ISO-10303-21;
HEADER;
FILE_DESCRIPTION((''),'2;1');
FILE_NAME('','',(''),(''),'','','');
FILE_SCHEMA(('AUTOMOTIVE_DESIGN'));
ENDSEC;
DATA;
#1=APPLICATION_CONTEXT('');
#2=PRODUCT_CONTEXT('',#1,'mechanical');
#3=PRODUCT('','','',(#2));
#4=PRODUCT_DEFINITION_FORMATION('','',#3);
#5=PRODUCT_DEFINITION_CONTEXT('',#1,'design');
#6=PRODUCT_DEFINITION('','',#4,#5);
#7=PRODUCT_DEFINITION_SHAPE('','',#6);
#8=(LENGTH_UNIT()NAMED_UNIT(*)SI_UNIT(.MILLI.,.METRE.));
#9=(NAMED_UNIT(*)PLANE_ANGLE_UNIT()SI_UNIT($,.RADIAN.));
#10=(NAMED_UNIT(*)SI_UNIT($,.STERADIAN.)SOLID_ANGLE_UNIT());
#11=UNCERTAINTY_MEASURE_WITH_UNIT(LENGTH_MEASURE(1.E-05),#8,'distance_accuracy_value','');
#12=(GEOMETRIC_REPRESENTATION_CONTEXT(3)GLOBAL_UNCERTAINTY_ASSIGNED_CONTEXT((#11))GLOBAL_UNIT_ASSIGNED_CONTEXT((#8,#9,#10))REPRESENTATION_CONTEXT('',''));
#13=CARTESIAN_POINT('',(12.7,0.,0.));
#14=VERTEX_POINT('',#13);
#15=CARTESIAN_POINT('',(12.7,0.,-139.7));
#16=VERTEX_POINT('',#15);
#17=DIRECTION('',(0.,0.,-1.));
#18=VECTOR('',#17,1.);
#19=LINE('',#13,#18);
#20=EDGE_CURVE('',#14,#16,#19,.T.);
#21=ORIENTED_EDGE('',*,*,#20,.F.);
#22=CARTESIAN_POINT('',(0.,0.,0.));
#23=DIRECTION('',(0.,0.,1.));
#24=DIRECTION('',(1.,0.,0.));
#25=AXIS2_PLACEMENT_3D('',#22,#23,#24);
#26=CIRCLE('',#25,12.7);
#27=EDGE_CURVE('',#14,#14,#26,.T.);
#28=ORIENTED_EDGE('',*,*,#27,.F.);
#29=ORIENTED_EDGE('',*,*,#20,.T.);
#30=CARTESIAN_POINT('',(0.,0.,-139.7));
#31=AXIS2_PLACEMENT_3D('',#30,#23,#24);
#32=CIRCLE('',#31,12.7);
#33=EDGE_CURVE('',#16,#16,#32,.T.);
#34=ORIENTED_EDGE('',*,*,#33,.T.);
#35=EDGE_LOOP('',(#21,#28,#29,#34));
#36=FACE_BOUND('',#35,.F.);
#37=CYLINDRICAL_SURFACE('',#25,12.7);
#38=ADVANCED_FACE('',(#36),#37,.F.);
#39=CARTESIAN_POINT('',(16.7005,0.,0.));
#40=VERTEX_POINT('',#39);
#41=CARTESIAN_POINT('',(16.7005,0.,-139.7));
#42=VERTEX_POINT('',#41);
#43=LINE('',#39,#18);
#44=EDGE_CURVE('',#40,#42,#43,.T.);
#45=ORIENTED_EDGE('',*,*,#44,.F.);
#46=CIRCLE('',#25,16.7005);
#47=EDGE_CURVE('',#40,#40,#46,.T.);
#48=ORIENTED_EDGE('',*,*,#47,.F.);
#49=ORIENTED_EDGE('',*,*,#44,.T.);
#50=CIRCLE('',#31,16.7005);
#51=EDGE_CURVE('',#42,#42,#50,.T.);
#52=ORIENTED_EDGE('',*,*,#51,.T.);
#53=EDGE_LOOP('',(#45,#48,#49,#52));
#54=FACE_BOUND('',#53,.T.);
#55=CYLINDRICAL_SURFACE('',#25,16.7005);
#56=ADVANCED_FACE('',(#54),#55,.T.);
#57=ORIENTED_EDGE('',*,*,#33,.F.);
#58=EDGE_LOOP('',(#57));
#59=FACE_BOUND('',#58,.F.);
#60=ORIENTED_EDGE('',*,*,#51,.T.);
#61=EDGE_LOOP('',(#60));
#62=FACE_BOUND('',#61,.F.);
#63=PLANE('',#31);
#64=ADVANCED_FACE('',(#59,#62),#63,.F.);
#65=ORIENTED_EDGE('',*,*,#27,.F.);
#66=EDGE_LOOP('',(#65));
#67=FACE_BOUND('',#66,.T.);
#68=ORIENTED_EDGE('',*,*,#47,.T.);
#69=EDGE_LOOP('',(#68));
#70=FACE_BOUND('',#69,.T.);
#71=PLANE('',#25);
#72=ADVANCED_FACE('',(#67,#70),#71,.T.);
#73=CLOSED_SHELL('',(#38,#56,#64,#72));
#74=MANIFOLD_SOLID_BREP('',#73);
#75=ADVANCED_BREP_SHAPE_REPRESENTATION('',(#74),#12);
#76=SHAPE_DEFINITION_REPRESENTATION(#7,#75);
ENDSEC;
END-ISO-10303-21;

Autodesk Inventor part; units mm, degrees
ref_plane "YZ Plane" through (0, 0, 0) normal (1, 0, 0) x (0, 1, 0)
ref_plane "XZ Plane" through (0, 0, 0) normal (0, 1, 0) x (-1, 0, 0)
ref_plane "XY Plane" through (0, 0, 0) normal (0, 0, 1) x (1, 0, 0)
sketch "Sketch1" plane through (0, 0, 0) normal (0, 0, 1) x (1, 0, 0)
  circle A0 centre (0, 0) radius 16.7005
  circle A1 centre (0, 0) radius 12.7
  dimension "d0" = 33.401
  dimension "d1" = 25.4
extrude "Extrusion1" add sketch "Sketch1" against normal blind 139.7
properties part number "Pipe 5"
